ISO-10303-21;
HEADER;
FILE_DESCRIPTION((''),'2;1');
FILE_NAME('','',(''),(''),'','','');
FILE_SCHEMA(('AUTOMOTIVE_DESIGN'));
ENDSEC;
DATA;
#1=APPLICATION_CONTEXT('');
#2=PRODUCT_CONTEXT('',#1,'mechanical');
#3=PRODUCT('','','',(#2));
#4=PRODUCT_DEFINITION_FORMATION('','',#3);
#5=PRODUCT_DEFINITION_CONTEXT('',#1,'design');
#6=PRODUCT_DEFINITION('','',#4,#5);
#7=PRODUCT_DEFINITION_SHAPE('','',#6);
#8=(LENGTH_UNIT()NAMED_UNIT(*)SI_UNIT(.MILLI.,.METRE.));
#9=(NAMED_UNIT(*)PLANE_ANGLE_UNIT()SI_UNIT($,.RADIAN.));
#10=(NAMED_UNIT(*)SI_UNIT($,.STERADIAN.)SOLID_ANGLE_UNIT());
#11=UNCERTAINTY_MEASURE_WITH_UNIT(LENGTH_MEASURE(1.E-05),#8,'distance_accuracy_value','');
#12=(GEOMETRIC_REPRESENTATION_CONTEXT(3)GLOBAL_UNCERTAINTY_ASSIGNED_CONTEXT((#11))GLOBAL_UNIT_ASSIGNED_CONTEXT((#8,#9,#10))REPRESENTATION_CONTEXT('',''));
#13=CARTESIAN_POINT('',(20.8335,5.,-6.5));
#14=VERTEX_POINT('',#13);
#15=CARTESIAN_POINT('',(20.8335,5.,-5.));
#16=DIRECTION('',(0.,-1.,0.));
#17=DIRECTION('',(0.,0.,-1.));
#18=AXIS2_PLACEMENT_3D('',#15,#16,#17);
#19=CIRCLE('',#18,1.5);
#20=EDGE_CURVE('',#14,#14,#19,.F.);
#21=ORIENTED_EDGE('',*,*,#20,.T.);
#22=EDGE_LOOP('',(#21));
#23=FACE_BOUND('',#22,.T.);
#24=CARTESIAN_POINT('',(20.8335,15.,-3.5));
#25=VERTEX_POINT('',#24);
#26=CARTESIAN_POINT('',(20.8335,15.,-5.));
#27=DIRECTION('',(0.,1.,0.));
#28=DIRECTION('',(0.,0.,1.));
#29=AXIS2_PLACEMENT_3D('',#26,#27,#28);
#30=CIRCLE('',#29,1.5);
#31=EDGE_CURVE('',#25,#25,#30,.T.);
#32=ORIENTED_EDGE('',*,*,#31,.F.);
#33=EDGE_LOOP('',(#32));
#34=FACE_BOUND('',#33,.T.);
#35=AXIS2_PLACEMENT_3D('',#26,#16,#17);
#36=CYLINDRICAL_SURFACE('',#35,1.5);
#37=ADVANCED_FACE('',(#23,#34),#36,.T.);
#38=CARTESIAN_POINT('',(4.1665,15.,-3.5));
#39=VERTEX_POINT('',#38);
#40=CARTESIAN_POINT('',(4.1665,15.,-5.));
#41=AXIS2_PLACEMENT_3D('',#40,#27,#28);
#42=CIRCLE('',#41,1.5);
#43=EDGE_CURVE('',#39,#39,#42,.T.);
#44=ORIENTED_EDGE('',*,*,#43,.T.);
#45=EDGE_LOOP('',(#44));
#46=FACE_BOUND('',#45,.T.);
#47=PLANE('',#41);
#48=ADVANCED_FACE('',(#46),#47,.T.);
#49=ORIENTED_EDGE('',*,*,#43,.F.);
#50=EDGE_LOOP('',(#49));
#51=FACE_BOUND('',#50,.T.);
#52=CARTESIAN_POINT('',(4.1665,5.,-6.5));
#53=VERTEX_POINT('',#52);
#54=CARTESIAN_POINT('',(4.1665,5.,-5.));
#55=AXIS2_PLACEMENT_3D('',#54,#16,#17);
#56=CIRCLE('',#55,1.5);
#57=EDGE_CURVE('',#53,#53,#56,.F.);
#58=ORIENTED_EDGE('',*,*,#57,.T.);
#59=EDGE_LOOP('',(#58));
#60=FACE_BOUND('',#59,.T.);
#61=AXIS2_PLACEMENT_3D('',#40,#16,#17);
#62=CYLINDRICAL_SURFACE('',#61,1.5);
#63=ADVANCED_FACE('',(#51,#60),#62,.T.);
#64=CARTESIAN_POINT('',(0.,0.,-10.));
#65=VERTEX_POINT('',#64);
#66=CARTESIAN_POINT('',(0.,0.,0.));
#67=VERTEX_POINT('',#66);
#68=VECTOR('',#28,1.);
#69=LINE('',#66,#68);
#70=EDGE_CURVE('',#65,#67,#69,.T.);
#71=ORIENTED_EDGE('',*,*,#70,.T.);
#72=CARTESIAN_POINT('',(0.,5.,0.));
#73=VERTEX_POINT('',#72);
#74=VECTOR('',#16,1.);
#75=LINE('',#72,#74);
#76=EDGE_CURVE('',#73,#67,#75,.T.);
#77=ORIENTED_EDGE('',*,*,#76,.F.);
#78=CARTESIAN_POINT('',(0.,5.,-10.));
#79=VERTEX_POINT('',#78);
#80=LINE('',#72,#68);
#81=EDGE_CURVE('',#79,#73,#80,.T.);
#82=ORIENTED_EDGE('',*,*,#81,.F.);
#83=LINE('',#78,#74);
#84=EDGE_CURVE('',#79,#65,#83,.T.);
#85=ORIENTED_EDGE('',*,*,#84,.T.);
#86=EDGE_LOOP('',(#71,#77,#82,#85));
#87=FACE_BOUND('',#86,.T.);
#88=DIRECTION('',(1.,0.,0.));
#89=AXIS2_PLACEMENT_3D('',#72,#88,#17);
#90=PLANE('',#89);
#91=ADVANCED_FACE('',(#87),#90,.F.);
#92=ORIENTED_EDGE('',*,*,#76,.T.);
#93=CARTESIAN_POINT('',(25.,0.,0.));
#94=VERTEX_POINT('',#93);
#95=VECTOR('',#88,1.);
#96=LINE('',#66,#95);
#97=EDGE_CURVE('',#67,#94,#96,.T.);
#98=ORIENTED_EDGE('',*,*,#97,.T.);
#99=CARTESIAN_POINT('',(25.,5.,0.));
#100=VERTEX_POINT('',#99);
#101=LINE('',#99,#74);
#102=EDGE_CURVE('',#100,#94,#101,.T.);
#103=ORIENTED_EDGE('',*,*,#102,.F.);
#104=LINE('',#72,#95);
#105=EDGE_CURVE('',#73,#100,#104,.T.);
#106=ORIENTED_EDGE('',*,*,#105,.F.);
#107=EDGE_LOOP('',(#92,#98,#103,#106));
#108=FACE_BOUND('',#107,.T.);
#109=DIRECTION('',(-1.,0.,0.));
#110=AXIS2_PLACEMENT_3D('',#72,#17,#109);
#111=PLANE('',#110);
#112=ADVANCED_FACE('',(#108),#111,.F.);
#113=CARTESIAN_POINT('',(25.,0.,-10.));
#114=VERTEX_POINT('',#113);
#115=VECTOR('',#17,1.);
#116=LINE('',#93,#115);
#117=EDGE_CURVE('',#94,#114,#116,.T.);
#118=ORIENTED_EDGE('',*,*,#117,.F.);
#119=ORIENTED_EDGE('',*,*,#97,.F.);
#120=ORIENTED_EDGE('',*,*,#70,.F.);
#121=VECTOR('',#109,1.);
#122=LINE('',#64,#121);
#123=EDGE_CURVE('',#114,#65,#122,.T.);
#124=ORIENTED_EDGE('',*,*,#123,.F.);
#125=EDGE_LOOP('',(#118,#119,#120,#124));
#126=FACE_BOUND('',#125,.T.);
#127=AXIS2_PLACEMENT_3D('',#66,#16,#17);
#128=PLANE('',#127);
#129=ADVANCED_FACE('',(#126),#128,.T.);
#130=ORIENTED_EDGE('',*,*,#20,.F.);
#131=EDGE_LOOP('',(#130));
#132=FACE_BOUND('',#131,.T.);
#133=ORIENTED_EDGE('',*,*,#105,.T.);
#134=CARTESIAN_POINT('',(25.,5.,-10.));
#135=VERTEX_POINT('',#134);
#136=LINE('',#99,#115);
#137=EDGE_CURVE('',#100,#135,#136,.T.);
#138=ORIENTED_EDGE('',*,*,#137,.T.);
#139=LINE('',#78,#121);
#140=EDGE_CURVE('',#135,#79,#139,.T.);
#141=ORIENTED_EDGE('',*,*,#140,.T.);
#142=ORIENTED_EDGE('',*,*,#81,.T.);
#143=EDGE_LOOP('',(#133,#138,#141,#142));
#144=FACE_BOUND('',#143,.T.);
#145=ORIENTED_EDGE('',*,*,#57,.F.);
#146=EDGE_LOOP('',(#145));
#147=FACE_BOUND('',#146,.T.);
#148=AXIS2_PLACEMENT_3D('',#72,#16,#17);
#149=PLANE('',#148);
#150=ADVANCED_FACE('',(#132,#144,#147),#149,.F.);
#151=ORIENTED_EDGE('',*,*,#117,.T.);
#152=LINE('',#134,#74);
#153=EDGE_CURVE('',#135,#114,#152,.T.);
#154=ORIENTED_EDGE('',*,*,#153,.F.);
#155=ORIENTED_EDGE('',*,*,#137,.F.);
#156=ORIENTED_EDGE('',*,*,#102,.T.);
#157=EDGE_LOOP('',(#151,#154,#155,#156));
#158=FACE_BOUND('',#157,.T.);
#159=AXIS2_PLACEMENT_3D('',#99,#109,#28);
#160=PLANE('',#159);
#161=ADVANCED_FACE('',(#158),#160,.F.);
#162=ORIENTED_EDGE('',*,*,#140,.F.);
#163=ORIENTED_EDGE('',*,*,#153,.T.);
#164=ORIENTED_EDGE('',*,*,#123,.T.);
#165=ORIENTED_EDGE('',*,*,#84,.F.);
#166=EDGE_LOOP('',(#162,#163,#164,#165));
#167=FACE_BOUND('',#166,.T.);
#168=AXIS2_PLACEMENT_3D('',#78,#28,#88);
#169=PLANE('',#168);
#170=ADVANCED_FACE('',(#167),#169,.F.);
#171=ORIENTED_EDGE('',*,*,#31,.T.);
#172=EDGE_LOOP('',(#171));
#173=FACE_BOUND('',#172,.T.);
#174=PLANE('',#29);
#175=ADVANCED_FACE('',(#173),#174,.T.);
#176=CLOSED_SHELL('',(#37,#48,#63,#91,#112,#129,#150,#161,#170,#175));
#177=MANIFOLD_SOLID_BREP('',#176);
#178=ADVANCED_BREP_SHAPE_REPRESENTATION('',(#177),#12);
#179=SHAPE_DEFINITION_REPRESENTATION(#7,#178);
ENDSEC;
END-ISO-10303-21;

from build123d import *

# Parameters (mm, degrees)
CROQUIS1_W              = 25
CROQUIS1_H              = 10
SALIENTE_EXTRUIR1_DEPTH = 5
CROQUIS2_R              = 1.5
SALIENTE_EXTRUIR2_DEPTH = 10


with BuildPart() as part:
    # Croquis1 → Saliente-Extruir1 (new body)
    with BuildSketch(Plane(origin=(0, 0, 0), x_dir=(1, 0, 0), z_dir=(0, 1, 0))):
        with Locations((12.5, 5)):
            Rectangle(CROQUIS1_W, CROQUIS1_H)
    extrude(amount=SALIENTE_EXTRUIR1_DEPTH)

    # Croquis2 → Saliente-Extruir2 (add)
    with BuildSketch(Plane(origin=(0, 5, 0), x_dir=(1, 0, 0), z_dir=(0, 1, 0))):
        with Locations(Location((4.1665, 5, 0), (0, 0, 90))):
            Circle(CROQUIS2_R)
        with Locations(Location((20.8335, 5, 0), (0, 0, 90))):
            Circle(CROQUIS2_R)
    extrude(amount=SALIENTE_EXTRUIR2_DEPTH)


solid = part.part
